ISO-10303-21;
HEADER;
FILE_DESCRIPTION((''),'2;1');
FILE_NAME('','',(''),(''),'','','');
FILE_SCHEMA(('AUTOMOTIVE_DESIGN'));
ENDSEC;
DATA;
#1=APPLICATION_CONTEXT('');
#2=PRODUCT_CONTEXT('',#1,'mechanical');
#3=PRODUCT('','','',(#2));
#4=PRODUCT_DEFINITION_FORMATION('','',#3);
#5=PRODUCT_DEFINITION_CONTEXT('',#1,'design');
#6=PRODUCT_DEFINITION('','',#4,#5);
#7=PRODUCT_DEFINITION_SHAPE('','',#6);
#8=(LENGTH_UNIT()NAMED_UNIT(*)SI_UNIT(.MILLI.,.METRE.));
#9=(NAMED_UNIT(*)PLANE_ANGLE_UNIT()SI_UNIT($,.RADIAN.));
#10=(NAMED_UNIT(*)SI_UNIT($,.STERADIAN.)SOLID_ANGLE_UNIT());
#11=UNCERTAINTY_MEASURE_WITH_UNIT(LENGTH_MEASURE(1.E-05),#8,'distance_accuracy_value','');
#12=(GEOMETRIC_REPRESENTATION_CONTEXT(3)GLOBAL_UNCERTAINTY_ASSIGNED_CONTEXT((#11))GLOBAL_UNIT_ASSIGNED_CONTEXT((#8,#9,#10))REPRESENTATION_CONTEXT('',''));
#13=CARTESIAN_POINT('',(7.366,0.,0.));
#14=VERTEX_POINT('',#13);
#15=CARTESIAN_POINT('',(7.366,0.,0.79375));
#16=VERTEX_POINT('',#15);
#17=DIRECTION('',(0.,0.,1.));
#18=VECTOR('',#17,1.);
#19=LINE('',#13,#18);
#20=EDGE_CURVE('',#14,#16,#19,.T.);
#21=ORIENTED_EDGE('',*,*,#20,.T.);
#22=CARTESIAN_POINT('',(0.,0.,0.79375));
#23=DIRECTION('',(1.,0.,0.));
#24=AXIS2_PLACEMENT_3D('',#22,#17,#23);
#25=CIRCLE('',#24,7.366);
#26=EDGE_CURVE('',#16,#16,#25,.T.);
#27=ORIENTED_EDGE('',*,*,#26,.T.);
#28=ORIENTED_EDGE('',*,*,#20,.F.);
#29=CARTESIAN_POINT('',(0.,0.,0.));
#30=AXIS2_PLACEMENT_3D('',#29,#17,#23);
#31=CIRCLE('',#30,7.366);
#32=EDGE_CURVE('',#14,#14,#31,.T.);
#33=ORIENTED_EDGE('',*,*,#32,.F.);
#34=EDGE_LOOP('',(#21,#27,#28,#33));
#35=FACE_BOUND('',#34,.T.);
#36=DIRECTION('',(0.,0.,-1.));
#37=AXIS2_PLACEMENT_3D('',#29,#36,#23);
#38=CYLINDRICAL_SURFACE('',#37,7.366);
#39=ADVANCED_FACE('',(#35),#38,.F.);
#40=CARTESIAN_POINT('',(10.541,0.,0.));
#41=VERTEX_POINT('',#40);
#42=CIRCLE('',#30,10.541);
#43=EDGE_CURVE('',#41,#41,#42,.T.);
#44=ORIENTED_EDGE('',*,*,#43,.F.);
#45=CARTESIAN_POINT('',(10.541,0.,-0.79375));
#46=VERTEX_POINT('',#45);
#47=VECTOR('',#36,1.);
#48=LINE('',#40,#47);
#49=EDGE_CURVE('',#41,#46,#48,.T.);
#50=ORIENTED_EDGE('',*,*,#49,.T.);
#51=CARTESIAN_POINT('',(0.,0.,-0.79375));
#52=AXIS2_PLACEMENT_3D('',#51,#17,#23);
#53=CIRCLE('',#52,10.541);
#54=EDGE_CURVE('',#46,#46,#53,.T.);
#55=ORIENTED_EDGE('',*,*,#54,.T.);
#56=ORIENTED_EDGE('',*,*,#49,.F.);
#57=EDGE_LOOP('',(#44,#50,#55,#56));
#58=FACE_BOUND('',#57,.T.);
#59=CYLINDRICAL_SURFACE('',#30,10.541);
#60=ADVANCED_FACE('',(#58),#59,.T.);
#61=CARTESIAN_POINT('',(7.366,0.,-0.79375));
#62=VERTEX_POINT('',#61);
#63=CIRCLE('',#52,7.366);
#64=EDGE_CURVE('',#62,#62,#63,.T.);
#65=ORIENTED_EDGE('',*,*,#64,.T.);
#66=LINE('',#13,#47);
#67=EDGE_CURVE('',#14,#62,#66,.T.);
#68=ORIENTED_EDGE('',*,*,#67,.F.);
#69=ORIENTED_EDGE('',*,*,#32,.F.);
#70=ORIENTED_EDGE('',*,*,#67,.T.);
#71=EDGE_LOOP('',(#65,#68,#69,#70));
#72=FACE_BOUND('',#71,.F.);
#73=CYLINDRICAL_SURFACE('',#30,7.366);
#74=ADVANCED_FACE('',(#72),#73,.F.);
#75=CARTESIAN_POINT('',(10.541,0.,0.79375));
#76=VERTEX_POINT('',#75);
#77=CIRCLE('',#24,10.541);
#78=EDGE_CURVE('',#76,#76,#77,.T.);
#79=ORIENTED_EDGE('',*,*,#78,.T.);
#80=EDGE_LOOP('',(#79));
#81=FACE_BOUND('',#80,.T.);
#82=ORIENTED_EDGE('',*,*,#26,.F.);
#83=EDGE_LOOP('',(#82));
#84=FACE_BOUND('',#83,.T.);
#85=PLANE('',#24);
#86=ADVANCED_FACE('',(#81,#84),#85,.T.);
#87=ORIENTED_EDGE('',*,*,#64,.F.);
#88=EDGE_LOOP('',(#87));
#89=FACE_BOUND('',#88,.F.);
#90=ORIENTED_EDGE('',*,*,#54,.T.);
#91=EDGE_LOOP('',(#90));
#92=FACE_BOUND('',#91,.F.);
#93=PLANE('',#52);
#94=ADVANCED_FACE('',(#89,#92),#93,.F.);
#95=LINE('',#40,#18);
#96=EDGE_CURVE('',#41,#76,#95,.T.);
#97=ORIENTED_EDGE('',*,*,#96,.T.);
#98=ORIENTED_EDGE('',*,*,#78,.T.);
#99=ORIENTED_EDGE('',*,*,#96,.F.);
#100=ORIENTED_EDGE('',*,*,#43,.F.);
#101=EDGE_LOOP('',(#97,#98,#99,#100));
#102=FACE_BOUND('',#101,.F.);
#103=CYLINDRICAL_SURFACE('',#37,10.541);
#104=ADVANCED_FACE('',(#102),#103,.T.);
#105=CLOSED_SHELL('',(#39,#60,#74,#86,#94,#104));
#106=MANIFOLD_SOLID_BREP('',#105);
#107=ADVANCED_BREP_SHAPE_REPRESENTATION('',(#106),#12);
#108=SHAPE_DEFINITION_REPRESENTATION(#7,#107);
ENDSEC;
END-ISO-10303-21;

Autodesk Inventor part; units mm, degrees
ref_plane "YZ Plane" through (0, 0, 0) normal (1, 0, 0) x (0, 1, 0)
ref_plane "XZ Plane" through (0, 0, 0) normal (0, 1, 0) x (-1, 0, 0)
ref_plane "XY Plane" through (0, 0, 0) normal (0, 0, 1) x (1, 0, 0)
sketch "Sketch1" plane through (0, 0, 0) normal (0, 0, 1) x (1, 0, 0)
  circle A0 centre (0, 0) radius 7.366
  circle A1 centre (0, 0) radius 10.541
  dimension "Hex" = 14.732
  dimension "Thickness" = 3.175
extrude "Extrusion1" add sketch "Sketch1" along normal mid plane 1.5875
equation "\"Tolerance_H\" = 0.3"
equation "\"Size\" = 12.7"
equation "\"Length\" = 30.2768"
equation "\"Tolerance_L\" = 0.508"
equation "\"Final_Metric\" = Hex"
equation "\"Thunder\" = 13.7541"
properties part number "EL2-GB-007Spacer" material "ABS Plastic"
